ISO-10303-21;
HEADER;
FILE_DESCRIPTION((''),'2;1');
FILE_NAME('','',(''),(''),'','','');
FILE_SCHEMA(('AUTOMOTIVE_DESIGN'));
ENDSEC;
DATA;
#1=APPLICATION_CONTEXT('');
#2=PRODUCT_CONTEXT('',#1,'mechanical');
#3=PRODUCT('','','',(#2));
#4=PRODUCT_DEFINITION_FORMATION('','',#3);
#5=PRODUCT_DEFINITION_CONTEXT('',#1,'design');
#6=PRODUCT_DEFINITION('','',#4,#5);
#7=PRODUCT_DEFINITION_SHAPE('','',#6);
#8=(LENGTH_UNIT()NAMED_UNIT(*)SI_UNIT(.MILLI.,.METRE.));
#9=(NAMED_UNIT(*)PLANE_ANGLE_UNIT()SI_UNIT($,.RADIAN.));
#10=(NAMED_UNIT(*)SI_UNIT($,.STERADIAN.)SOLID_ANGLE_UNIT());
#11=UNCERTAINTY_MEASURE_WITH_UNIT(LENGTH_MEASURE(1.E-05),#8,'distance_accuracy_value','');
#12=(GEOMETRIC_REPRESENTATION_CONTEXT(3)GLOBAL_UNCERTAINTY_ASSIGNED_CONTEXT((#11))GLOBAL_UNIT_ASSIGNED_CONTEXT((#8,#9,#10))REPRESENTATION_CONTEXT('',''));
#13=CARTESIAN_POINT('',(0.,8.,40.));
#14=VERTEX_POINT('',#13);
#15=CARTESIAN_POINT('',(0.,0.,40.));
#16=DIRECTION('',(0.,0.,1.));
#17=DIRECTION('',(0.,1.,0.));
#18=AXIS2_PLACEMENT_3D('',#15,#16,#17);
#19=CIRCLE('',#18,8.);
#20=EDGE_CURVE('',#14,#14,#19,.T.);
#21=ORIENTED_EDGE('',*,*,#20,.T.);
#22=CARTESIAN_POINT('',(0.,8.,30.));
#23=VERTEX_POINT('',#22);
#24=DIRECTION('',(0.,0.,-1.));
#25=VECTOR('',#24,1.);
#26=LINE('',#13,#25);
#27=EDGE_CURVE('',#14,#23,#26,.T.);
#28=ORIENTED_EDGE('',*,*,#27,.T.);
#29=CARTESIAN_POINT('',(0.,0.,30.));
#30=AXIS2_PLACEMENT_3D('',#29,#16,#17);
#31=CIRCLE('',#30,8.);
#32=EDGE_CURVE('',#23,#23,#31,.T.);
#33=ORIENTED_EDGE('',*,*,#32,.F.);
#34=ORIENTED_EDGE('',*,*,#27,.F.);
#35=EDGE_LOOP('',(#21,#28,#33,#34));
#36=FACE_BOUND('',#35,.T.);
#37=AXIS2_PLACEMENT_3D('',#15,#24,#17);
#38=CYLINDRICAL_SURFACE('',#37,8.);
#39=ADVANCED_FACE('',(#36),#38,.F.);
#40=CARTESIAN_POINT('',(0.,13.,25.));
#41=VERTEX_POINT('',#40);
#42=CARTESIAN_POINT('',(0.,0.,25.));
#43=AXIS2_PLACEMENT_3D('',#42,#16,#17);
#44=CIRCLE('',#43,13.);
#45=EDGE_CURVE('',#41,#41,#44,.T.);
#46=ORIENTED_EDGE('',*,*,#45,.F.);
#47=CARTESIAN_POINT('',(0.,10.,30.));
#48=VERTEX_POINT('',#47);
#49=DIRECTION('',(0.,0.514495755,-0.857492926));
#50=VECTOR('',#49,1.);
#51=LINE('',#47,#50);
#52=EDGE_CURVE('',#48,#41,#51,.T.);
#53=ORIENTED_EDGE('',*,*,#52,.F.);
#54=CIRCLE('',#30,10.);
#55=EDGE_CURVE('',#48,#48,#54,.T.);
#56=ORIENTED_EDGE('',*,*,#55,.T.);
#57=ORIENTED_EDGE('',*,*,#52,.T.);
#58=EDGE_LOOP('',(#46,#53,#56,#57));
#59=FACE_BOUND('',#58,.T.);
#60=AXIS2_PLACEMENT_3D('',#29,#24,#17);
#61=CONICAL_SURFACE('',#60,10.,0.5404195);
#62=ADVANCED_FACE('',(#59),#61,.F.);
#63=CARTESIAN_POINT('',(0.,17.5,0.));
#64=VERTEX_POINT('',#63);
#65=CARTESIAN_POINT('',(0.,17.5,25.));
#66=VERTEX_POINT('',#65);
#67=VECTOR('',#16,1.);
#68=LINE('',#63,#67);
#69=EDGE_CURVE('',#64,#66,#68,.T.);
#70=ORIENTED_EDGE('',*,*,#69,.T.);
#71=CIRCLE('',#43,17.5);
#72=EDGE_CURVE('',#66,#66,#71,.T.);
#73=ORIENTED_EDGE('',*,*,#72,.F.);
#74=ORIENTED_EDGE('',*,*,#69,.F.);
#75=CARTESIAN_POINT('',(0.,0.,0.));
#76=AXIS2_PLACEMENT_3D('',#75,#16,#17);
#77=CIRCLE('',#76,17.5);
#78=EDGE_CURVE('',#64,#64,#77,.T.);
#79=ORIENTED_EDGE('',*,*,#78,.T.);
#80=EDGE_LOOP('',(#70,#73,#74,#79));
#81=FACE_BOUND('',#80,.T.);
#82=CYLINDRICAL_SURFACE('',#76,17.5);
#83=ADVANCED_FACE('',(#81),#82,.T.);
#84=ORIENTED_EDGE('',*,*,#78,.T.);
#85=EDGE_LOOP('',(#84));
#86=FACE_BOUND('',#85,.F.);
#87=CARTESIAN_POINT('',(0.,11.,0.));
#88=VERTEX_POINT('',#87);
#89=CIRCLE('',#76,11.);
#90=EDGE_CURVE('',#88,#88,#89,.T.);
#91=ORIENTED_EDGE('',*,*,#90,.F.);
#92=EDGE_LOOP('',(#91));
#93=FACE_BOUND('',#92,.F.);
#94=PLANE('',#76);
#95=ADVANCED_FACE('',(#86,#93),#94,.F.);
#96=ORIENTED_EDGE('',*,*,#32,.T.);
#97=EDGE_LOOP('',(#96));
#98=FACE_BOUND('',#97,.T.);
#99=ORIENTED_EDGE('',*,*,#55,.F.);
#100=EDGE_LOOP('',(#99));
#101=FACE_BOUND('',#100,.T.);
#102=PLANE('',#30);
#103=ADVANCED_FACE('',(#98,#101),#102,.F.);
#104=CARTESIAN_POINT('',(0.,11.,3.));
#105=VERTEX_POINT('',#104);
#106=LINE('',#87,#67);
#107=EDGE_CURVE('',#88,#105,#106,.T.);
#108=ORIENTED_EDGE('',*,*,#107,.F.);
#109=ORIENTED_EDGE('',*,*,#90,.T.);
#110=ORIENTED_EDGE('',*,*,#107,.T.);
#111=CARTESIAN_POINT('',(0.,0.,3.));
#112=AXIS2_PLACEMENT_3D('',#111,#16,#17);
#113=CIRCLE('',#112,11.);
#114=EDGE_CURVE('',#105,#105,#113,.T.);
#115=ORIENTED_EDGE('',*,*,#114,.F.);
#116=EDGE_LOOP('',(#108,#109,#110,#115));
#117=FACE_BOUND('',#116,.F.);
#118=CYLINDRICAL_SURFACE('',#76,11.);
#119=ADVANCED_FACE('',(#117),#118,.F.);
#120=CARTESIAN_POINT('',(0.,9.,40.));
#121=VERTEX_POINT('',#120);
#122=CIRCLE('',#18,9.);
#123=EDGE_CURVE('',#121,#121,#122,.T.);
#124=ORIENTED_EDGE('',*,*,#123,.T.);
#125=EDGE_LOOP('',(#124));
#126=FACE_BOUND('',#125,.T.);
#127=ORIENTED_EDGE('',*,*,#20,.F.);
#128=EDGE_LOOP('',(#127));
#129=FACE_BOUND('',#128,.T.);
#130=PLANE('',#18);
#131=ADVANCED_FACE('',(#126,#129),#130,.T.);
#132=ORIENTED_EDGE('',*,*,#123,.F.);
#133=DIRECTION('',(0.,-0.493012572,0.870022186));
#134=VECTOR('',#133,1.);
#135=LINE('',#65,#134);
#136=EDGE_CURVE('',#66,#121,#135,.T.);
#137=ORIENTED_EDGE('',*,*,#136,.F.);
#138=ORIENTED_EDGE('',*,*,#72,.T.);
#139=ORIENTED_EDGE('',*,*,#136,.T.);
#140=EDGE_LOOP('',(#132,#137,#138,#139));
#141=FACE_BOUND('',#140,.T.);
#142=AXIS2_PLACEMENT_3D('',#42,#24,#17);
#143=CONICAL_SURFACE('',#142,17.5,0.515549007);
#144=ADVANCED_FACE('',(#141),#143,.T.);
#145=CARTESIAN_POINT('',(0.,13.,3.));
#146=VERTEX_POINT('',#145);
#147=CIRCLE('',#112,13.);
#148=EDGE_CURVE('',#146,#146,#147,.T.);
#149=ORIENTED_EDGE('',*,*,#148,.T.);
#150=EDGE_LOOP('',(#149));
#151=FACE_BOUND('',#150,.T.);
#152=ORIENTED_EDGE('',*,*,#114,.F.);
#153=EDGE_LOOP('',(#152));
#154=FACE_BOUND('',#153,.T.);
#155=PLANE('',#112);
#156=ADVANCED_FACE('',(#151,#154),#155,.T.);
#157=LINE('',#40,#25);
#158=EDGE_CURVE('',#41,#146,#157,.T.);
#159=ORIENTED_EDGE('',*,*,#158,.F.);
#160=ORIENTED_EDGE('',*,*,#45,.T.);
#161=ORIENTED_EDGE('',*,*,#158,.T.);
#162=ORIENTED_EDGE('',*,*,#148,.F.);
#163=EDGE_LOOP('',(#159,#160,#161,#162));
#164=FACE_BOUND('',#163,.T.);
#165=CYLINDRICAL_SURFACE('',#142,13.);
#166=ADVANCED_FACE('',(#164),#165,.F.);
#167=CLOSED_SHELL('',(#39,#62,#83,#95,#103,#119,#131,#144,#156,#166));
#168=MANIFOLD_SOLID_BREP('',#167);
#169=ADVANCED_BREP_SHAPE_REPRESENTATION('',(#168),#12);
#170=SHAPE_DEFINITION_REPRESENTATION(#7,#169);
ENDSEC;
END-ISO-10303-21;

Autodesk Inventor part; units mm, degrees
ref_plane "YZ Plane" through (0, 0, 0) normal (1, 0, 0) x (0, 1, 0)
ref_plane "XZ Plane" through (0, 0, 0) normal (0, 1, 0) x (-1, 0, 0)
ref_plane "XY Plane" through (0, 0, 0) normal (0, 0, 1) x (1, 0, 0)
sketch "Esquisse1" plane through (0, 0, 0) normal (1, 0, 0) x (0, 1, 0)
  line L0 (0, 0) -> (0, 36.6667)
  line L1 (17.5, 0) -> (17.5, 25)
  line L2 (17.5, 0) -> (11, 0)
  line L3 (17.5, 25) -> (9, 40)
  line L4 (9, 40) -> (8, 40)
  line L5 (8, 40) -> (8, 30)
  line L6 (8, 30) -> (10, 30)
  line L7 (10, 30) -> (13, 25)
  line L8 (13, 25) -> (13, 3)
  line L9 (13, 3) -> (11, 3)
  line L10 (11, 0) -> (11, 3)
  dimension "d0" = 35
  dimension "d1" = 16
  dimension "d2" = 1
  dimension "d3" = 2
  dimension "d4" = 26
  dimension "d7" = 5
  dimension "d8" = 10
  dimension "d11" = 30
  dimension "d12" = 22
  dimension "d13" = 3
revolve "Révolution1" add sketch "Esquisse1" angle 360 about axis through (0, 0, 0) along (0, 0, 1)
properties part number "blocage_recule_support_douille"
